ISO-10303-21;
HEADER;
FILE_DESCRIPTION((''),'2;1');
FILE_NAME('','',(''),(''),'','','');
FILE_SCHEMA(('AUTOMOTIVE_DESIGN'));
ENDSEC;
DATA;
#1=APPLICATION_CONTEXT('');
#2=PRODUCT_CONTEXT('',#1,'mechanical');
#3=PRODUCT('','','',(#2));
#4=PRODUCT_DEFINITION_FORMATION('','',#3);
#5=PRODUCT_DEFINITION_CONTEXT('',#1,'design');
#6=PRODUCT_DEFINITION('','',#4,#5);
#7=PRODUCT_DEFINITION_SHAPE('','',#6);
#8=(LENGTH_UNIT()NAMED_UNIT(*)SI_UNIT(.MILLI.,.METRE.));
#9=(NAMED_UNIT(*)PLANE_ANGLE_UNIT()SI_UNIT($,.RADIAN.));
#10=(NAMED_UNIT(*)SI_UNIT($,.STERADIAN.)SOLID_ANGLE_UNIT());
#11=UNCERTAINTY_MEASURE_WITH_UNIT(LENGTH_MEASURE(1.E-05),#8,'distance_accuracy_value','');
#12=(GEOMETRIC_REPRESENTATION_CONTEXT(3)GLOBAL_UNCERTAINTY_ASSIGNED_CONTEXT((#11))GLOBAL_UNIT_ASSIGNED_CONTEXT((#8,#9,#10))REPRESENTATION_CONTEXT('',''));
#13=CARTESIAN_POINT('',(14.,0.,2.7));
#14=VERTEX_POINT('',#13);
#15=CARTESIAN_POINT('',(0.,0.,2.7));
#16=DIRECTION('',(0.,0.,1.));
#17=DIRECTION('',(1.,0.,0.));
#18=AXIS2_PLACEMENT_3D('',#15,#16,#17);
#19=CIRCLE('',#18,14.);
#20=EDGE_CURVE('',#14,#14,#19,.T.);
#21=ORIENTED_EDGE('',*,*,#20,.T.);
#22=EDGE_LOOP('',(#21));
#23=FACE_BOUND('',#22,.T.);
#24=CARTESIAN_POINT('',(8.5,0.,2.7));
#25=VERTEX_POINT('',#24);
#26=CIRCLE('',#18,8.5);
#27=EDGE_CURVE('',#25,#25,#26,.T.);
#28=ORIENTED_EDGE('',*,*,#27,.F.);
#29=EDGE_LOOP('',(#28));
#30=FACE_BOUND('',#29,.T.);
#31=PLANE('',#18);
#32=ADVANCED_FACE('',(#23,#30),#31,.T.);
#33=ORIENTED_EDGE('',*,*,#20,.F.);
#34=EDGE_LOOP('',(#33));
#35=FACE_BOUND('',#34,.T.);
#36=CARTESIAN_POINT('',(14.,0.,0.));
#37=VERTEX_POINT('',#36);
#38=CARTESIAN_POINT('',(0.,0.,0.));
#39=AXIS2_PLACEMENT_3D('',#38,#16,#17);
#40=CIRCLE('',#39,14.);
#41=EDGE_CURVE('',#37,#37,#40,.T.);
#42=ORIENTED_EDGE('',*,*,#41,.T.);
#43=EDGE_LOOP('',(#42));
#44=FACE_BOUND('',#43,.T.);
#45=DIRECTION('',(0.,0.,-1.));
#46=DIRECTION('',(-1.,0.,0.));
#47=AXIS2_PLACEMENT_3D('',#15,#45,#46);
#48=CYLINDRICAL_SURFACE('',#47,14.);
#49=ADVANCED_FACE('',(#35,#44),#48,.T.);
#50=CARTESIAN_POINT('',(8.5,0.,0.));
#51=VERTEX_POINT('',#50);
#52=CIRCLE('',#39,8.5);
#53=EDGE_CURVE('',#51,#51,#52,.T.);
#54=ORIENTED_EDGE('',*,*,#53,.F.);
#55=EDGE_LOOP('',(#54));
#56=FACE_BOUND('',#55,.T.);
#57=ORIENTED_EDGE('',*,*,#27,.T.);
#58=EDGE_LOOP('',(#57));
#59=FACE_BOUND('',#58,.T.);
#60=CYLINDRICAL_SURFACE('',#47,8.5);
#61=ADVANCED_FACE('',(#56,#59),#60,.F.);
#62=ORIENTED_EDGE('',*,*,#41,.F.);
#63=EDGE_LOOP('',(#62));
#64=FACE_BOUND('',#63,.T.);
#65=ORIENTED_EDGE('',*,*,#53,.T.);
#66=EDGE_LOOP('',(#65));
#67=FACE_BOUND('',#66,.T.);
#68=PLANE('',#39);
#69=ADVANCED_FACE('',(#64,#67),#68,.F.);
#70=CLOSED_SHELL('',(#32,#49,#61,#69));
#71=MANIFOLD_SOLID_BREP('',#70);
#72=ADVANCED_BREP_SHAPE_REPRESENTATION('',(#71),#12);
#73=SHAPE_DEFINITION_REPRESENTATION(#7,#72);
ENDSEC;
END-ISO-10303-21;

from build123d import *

# Parameters (mm, degrees)
SKETCH1_R           = 14
SKETCH1_R_2         = 8.5
BOSS_EXTRUDE1_DEPTH = 2.7


with BuildPart() as part:
    # Sketch1 → Boss-Extrude1 (new body)
    with BuildSketch(Plane.XY):
        Circle(SKETCH1_R)
        Circle(SKETCH1_R_2, mode=Mode.SUBTRACT)
    extrude(amount=BOSS_EXTRUDE1_DEPTH)


solid = part.part
